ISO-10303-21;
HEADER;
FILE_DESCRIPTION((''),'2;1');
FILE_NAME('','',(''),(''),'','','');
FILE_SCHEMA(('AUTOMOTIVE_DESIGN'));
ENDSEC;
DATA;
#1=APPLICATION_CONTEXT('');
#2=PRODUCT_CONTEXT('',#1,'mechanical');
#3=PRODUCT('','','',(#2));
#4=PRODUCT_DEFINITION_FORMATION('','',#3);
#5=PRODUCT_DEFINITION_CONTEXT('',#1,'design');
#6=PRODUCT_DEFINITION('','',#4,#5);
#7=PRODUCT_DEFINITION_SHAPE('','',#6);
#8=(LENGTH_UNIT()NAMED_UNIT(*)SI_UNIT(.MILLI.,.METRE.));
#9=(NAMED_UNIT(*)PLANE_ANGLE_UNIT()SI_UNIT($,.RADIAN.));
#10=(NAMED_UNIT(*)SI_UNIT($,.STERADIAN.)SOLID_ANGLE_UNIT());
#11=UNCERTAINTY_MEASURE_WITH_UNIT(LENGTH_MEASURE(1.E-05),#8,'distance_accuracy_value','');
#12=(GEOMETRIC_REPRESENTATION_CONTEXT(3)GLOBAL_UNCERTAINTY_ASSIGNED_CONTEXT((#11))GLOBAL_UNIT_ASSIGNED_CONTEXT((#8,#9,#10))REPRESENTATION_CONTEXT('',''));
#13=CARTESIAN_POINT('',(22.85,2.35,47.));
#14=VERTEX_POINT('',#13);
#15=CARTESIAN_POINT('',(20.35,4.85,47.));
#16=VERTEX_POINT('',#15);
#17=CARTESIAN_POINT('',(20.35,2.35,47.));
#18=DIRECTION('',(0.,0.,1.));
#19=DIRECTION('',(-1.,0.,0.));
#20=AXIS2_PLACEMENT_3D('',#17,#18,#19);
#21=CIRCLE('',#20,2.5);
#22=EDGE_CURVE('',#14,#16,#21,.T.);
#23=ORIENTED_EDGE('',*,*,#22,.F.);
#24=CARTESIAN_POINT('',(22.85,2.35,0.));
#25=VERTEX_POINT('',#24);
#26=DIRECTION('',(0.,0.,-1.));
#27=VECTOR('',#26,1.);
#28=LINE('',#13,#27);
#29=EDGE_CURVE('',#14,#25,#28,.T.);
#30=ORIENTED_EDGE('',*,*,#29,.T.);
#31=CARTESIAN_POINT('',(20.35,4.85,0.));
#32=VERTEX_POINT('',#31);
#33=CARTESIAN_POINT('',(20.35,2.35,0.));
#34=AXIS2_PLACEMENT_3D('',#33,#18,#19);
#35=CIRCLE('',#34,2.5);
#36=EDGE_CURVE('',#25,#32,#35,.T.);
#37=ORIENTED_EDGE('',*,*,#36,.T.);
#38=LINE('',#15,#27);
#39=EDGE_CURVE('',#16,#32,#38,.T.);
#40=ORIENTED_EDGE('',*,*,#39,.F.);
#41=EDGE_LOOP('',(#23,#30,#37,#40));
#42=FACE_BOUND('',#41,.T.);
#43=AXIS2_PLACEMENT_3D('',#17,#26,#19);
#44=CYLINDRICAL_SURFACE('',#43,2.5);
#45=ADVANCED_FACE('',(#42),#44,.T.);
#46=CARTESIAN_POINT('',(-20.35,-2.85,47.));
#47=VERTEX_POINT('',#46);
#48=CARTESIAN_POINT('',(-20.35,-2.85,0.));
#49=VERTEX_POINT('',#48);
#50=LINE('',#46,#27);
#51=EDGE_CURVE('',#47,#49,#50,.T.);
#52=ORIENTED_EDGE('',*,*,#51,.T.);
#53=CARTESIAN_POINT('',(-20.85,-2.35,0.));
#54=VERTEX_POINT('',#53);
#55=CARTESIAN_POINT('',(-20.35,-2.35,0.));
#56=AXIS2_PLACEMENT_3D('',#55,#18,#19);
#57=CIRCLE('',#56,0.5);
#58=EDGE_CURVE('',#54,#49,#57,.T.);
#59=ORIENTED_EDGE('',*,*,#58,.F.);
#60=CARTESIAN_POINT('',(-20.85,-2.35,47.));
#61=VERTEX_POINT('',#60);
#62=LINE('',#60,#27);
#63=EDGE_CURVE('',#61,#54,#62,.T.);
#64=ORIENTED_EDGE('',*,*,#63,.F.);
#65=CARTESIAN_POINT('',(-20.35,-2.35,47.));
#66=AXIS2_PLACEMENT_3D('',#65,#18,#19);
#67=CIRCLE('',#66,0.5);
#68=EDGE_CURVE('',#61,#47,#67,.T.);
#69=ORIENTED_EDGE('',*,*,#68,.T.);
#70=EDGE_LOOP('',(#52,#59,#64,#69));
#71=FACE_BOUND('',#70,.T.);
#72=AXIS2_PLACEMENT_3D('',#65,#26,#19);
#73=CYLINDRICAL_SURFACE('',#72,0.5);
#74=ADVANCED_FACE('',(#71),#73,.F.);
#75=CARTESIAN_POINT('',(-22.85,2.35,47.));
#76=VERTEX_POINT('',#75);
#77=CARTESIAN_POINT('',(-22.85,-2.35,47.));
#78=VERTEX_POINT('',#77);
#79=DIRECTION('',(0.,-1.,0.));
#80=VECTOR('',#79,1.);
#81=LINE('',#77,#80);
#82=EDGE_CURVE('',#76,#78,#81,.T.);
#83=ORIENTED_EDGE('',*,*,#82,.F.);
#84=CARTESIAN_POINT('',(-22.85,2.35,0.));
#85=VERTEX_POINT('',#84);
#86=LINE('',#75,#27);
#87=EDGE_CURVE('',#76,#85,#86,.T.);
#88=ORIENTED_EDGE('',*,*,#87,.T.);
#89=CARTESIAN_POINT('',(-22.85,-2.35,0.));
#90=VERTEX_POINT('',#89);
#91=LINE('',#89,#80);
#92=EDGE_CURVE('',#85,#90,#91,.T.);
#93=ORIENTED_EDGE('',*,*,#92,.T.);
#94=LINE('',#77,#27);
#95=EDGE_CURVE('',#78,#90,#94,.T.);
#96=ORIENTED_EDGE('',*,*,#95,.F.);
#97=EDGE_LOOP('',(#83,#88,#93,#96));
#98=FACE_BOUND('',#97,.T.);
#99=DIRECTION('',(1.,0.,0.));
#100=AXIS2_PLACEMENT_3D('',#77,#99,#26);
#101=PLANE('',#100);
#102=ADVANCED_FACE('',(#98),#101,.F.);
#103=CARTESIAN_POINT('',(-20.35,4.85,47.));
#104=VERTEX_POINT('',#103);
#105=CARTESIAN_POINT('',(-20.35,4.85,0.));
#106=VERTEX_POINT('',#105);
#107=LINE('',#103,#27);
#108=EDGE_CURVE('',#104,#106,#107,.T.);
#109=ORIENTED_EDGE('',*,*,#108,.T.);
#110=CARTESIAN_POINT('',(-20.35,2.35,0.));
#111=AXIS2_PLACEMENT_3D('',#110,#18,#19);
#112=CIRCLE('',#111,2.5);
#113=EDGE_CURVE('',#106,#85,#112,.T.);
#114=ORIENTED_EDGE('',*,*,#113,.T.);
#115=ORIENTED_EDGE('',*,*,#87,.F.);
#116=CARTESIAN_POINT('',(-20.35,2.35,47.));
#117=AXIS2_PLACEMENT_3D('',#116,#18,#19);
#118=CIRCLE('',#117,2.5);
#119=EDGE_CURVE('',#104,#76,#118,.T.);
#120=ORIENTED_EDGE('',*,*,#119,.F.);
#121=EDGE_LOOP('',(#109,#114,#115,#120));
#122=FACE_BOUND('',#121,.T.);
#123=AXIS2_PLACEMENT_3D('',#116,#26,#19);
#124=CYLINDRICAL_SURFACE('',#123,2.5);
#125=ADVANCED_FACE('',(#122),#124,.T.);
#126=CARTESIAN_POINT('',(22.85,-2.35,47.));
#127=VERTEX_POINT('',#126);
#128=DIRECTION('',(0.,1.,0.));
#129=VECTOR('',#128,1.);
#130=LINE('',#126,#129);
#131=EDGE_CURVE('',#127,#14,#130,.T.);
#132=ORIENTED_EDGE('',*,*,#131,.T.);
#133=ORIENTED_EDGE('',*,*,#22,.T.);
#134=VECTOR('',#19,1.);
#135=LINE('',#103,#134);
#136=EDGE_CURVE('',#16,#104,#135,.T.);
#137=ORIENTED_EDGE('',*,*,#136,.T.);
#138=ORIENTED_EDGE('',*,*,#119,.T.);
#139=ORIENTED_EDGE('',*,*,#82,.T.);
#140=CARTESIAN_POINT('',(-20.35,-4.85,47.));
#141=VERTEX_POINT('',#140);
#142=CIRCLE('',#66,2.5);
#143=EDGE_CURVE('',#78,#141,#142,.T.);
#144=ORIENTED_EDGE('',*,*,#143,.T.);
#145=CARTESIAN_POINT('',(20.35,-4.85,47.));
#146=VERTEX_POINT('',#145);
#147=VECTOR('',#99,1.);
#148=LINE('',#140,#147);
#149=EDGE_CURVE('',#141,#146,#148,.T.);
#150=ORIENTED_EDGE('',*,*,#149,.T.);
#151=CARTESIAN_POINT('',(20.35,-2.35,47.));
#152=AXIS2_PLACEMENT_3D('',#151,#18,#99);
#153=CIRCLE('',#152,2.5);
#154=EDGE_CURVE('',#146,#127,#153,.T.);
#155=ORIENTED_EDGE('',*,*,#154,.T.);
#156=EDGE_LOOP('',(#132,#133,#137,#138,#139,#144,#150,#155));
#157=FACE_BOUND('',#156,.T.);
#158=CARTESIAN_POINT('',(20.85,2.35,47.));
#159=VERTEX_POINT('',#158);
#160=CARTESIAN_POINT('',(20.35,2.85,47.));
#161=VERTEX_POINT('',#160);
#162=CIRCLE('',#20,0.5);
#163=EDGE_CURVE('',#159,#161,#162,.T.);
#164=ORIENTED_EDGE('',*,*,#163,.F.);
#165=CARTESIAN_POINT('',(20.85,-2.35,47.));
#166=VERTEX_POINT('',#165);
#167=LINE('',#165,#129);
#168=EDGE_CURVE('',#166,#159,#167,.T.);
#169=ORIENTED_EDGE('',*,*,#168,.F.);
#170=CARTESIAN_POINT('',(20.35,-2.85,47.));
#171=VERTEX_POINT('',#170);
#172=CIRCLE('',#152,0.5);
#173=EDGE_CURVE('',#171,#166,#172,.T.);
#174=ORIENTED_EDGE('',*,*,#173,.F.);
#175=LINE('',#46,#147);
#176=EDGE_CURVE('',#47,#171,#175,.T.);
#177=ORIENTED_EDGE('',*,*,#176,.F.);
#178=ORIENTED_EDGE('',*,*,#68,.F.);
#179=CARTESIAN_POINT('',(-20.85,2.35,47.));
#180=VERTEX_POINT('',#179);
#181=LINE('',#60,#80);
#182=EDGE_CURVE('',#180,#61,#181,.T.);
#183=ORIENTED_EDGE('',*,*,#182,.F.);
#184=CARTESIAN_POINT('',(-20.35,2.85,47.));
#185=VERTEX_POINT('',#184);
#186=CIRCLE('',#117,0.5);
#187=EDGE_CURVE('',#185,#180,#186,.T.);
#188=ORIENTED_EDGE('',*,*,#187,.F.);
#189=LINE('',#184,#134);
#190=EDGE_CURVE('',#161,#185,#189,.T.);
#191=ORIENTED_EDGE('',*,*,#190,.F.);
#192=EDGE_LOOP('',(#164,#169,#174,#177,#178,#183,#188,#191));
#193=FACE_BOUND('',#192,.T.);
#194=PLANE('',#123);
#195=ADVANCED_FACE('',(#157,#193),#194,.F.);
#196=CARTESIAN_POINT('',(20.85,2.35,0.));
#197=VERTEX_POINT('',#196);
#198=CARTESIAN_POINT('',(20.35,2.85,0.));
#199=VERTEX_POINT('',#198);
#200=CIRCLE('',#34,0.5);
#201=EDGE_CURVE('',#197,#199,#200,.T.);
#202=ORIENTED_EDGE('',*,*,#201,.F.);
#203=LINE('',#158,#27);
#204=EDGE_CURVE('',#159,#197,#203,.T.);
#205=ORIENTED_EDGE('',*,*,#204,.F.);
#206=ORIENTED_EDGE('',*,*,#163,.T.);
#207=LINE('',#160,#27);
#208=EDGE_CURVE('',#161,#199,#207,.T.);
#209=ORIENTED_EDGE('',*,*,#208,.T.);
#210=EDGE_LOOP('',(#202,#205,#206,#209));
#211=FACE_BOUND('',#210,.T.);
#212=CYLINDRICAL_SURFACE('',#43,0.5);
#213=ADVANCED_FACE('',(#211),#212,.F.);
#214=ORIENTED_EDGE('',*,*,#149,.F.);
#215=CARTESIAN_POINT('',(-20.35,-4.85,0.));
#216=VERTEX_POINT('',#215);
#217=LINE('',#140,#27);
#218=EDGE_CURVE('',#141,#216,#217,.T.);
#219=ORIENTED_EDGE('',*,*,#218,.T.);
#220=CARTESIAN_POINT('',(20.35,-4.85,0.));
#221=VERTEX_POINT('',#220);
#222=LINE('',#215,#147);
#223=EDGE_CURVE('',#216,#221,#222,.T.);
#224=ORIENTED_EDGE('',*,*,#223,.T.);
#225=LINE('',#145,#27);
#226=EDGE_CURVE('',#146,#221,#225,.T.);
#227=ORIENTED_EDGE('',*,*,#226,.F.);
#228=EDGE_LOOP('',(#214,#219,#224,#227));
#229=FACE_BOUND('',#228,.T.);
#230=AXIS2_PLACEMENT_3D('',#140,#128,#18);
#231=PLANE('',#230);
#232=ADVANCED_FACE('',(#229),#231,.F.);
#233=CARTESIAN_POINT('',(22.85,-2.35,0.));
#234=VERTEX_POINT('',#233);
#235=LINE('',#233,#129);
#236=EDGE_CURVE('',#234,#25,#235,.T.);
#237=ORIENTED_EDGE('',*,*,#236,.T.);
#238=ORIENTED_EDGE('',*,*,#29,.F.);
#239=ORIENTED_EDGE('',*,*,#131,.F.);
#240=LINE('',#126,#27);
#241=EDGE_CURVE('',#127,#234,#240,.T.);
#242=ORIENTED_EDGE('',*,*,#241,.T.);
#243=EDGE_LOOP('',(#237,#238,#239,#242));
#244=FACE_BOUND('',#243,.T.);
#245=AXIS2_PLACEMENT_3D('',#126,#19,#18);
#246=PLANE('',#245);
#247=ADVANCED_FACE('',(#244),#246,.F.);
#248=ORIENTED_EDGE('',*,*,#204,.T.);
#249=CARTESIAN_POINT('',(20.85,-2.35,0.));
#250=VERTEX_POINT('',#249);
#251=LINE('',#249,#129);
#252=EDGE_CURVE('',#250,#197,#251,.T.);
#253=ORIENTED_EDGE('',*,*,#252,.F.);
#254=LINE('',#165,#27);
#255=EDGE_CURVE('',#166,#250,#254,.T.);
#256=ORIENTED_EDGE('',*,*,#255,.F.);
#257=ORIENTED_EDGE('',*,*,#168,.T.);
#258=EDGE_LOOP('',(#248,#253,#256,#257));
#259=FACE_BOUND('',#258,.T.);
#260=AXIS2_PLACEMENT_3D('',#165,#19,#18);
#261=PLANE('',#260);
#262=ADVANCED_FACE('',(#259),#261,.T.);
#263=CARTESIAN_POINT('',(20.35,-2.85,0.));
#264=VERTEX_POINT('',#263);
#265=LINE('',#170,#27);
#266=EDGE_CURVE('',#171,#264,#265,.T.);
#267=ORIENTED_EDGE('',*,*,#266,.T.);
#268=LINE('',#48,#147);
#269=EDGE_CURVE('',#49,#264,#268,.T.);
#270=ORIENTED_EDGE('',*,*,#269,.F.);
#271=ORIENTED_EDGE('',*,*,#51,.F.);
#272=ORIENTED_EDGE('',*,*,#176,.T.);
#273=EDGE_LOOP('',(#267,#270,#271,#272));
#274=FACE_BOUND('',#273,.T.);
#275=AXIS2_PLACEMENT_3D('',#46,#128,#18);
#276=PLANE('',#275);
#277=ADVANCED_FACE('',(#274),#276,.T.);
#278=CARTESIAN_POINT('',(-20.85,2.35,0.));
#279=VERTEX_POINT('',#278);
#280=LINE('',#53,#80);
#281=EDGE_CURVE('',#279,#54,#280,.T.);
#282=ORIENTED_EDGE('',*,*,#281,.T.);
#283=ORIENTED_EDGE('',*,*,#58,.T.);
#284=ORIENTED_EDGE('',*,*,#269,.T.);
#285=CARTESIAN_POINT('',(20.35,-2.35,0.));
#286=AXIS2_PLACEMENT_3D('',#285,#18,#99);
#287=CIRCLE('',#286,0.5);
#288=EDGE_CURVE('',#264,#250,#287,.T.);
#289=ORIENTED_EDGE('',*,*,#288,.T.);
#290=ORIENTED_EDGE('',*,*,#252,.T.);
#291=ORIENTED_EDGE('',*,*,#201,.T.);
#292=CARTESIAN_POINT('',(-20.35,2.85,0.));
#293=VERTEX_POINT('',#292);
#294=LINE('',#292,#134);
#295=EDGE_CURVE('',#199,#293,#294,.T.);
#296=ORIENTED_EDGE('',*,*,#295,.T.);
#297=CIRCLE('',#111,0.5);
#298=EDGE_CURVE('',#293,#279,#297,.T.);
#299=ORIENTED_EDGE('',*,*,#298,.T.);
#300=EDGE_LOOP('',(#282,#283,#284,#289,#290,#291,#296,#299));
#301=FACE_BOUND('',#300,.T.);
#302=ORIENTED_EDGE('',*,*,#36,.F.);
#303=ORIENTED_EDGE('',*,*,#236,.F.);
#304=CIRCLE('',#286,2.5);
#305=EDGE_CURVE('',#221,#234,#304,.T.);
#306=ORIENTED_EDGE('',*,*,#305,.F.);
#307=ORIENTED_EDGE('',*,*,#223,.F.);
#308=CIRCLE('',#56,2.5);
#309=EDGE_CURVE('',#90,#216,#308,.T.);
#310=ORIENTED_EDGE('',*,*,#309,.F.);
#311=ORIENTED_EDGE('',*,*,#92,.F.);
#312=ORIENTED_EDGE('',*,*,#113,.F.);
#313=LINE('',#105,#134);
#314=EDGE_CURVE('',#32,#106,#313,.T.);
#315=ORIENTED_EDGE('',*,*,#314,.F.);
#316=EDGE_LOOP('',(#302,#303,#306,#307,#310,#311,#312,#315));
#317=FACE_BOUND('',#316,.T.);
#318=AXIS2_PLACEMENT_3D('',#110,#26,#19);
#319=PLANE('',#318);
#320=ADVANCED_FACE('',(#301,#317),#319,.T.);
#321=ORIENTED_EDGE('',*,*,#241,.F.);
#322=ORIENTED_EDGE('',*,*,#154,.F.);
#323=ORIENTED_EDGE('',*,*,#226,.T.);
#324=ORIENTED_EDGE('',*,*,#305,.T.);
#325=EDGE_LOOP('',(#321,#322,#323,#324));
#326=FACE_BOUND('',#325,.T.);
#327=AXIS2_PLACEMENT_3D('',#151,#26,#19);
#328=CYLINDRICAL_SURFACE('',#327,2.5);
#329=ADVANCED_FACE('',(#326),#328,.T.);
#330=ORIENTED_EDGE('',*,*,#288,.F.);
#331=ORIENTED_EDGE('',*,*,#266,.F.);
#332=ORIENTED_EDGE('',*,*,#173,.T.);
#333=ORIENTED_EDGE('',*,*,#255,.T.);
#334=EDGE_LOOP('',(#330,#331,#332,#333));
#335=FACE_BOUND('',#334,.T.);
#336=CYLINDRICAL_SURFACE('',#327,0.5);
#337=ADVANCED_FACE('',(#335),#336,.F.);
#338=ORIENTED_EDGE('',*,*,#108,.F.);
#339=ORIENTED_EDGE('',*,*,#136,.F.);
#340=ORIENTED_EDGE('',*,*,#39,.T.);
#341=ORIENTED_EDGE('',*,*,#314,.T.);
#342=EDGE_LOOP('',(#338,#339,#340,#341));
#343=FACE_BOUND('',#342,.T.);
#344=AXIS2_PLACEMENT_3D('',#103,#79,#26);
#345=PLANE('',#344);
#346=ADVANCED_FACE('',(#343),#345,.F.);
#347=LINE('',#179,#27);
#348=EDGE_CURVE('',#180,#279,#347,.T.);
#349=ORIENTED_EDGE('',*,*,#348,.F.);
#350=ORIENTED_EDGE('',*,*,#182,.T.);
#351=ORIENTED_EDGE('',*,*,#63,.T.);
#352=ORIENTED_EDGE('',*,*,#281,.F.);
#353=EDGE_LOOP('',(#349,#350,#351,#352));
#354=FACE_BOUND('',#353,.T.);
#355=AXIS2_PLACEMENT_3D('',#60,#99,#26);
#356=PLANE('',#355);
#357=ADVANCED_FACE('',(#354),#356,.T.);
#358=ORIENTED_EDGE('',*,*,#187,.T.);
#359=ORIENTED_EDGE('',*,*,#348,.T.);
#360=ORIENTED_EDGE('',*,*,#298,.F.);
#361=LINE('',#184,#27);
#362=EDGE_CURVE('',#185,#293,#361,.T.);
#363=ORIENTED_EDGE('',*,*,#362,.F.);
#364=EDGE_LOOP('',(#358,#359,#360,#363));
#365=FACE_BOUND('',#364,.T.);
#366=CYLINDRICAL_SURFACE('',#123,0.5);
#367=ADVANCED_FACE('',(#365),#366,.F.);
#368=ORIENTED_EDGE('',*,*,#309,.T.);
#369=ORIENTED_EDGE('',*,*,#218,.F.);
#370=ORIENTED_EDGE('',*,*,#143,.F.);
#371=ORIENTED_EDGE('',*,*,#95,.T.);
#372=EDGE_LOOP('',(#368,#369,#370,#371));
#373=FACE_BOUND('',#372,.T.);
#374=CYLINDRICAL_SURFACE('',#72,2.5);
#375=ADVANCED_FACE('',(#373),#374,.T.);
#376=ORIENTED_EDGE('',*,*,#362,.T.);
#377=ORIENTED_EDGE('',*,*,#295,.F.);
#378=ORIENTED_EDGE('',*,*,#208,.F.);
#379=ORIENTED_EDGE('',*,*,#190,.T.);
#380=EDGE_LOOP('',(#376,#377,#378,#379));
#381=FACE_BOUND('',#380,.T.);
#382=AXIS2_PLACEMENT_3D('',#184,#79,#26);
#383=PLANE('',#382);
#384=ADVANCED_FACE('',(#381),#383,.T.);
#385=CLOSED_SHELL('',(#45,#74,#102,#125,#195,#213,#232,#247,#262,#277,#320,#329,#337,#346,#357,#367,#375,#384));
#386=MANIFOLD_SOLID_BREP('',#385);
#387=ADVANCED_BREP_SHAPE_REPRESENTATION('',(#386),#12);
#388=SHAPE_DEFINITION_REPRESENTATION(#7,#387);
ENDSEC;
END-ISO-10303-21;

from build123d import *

# Parameters (mm, degrees)
BOSS_EXTRUDE1_DEPTH = 47


with BuildPart() as part:
    # Sketch1 → Boss-Extrude1 (new body)
    with BuildSketch(Plane.XY):
        with BuildLine():
            Line((-20.35, 4.85), (20.35, 4.85))
            ThreePointArc((20.35, 4.85), (22.117766953, 4.117766953), (22.85, 2.35))
            Line((22.85, 2.35), (22.85, -2.35))
            ThreePointArc((22.85, -2.35), (22.117766953, -4.117766953), (20.35, -4.85))
            Line((20.35, -4.85), (-20.35, -4.85))
            ThreePointArc((-20.35, -4.85), (-22.117766953, -4.117766953), (-22.85, -2.35))
            Line((-22.85, -2.35), (-22.85, 2.35))
            ThreePointArc((-22.85, 2.35), (-22.117766953, 4.117766953), (-20.35, 4.85))
        make_face()
        with BuildLine():
            Line((-20.35, -2.85), (20.35, -2.85))
            ThreePointArc((20.35, -2.85), (20.703553391, -2.703553391), (20.85, -2.35))
            Line((20.85, -2.35), (20.85, 2.35))
            ThreePointArc((20.85, 2.35), (20.703553391, 2.703553391), (20.35, 2.85))
            Line((20.35, 2.85), (-20.35, 2.85))
            ThreePointArc((-20.35, 2.85), (-20.703553391, 2.703553391), (-20.85, 2.35))
            Line((-20.85, 2.35), (-20.85, -2.35))
            ThreePointArc((-20.85, -2.35), (-20.703553391, -2.703553391), (-20.35, -2.85))
        make_face(mode=Mode.SUBTRACT)
    extrude(amount=BOSS_EXTRUDE1_DEPTH)


solid = part.part
